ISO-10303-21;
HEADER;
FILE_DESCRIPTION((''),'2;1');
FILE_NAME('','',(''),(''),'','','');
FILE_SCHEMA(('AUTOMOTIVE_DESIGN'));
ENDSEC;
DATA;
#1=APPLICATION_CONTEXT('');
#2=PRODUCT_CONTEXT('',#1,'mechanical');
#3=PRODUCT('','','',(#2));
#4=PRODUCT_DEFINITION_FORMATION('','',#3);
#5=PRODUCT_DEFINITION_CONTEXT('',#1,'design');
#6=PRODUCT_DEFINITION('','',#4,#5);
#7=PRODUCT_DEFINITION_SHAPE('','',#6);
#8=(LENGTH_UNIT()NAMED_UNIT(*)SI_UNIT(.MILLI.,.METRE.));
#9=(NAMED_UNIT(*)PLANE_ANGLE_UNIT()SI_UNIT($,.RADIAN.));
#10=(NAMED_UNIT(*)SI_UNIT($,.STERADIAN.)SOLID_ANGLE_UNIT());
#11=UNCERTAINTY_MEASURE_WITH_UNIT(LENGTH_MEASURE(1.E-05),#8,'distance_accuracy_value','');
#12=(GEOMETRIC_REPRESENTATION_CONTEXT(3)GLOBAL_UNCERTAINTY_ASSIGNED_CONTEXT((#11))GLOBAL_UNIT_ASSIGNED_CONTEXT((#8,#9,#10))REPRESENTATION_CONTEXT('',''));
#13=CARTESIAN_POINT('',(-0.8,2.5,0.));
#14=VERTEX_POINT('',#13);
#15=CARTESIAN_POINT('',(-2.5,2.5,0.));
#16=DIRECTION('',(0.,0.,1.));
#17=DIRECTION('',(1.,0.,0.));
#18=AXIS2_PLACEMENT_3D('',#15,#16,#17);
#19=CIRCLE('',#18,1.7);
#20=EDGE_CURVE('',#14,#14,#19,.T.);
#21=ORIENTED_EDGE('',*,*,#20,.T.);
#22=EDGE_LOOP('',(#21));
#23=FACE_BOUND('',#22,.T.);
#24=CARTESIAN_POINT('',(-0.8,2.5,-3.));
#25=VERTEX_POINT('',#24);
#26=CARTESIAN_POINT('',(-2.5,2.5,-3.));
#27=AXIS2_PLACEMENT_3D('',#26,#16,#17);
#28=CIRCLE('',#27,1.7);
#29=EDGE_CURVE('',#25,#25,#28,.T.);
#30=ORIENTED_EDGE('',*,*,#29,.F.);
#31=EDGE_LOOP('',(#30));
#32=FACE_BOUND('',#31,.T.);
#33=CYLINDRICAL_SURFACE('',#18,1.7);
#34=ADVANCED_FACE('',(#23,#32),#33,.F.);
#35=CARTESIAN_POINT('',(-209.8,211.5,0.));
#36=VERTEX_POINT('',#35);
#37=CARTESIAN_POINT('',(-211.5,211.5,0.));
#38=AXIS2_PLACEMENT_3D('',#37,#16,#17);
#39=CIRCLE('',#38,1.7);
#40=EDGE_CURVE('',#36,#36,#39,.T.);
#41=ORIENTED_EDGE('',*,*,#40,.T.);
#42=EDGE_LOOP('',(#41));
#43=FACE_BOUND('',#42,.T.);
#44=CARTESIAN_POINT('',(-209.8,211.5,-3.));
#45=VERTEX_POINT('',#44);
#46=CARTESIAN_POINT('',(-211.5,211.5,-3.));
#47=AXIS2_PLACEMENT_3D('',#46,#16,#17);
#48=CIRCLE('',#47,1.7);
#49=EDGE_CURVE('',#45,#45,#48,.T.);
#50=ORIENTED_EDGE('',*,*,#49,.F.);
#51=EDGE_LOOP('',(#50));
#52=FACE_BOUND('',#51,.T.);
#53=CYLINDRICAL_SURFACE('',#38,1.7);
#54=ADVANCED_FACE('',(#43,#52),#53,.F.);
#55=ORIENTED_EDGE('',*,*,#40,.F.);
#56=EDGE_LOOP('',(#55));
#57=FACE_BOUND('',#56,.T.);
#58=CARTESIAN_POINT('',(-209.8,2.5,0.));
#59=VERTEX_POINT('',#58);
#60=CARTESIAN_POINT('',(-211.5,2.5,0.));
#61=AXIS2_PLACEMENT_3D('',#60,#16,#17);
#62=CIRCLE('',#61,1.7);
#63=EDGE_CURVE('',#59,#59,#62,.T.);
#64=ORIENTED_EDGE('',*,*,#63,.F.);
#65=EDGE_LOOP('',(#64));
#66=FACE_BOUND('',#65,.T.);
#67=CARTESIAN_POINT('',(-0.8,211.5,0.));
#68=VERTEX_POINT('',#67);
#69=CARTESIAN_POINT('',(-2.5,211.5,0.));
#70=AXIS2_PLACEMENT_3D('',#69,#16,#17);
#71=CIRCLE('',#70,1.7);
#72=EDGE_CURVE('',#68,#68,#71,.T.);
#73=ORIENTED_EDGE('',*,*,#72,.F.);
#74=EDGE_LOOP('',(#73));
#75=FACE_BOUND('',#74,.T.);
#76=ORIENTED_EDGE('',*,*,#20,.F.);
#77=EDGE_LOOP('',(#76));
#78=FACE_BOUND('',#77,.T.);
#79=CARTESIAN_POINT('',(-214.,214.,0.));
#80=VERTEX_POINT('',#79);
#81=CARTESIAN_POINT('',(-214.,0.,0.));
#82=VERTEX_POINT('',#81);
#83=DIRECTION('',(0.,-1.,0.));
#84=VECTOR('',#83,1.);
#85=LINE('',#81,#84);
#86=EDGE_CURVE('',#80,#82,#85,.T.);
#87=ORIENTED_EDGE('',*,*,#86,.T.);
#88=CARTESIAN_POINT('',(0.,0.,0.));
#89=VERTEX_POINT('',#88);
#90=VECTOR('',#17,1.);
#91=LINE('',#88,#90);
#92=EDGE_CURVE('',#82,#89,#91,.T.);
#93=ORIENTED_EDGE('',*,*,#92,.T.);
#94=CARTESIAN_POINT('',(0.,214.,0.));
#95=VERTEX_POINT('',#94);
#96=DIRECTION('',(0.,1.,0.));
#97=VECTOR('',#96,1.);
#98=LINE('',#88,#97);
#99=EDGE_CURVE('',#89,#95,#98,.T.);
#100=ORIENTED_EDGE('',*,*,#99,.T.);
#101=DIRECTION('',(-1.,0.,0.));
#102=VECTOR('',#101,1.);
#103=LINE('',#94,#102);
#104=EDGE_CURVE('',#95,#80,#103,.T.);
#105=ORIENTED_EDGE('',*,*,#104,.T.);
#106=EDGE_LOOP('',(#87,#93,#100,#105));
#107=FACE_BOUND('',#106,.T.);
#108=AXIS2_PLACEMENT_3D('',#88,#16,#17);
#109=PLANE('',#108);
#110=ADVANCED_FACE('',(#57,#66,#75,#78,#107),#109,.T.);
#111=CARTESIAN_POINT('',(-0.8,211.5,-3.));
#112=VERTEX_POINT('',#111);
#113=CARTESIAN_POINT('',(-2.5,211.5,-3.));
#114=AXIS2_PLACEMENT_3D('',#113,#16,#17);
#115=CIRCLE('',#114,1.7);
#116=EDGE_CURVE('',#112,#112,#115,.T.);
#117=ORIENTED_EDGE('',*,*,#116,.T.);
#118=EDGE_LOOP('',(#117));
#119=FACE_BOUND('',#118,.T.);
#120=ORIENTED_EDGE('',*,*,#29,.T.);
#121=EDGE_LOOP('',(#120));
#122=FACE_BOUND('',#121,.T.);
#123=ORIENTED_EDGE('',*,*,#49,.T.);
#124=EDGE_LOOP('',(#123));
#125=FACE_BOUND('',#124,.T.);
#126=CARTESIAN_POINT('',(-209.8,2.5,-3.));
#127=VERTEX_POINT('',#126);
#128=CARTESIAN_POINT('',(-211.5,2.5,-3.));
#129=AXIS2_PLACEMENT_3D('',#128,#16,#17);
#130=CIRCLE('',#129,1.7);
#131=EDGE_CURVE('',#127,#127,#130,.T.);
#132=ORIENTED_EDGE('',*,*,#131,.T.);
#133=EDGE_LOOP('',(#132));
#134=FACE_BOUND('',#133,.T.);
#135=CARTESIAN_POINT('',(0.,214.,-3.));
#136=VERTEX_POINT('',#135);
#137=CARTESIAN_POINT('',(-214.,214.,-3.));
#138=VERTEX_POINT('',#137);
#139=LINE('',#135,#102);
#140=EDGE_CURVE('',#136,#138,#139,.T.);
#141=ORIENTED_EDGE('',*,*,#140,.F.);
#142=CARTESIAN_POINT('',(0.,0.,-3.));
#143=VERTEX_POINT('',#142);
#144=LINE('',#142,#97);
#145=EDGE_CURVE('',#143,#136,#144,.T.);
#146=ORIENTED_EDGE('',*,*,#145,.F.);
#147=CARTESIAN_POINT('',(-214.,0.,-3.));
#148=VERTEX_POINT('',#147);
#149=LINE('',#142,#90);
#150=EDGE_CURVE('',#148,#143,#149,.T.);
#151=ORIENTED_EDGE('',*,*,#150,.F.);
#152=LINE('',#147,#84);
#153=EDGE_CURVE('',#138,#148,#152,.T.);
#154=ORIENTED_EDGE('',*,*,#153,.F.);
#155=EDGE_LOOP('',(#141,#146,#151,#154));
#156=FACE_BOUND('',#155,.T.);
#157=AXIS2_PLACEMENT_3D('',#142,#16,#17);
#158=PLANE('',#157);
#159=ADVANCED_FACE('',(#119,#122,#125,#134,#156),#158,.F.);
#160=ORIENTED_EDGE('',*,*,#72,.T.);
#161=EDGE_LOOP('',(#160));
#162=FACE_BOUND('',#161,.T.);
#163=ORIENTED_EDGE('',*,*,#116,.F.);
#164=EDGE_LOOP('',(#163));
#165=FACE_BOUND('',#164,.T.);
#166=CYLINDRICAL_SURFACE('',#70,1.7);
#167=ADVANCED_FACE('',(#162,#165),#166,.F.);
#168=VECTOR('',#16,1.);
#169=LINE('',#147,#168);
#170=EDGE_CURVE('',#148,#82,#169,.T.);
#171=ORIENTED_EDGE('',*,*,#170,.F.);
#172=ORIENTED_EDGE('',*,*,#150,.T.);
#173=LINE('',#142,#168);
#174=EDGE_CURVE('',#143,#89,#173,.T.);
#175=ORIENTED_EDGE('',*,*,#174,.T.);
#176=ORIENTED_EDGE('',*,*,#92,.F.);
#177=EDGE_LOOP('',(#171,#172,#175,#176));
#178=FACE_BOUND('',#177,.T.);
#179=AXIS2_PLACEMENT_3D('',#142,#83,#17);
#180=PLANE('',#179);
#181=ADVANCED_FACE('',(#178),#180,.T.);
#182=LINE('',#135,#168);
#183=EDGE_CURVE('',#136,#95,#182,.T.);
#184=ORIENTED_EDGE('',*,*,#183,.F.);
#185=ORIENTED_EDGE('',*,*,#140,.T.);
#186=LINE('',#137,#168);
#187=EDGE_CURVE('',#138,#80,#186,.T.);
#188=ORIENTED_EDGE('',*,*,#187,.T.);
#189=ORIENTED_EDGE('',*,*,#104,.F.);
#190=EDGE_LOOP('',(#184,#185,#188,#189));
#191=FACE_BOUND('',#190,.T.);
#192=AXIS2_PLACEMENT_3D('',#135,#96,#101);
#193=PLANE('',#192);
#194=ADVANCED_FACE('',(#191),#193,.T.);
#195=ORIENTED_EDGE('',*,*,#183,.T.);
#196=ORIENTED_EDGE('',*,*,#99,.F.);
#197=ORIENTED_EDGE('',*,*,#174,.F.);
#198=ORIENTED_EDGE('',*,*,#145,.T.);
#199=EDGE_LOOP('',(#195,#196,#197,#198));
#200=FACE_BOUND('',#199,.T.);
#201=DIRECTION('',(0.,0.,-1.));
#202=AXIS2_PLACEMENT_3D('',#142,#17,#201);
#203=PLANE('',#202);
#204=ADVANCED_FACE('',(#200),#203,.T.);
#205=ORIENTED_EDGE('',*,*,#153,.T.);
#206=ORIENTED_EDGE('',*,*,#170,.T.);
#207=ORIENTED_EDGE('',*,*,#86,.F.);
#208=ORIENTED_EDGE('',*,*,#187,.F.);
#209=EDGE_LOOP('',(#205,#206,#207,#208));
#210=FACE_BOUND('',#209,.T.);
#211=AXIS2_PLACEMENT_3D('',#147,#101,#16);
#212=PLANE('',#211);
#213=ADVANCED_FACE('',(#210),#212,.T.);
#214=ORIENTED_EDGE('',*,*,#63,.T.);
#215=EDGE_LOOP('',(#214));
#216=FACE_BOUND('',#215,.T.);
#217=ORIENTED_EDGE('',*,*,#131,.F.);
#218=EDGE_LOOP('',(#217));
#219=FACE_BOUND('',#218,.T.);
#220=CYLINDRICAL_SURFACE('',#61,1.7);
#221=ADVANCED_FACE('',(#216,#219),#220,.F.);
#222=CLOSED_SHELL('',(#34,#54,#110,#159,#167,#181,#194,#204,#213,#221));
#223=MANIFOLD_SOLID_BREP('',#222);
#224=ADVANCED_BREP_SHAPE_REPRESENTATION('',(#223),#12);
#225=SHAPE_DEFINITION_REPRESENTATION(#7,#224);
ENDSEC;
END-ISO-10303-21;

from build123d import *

# Parameters (mm, degrees)
SCHIZZO1_W                   = 214
SCHIZZO1_H                   = 214
ESTRUSIONE_ESTRUSIONE1_DEPTH = 3
FORO_PER_VITE_M3_1_D         = 3.4
FORO_PER_VITE_M3_1_DEPTH     = 3


with BuildPart() as part:
    # Schizzo1 → Estrusione-Estrusione1 (new body)
    with BuildSketch(Plane.XY):
        with Locations((-107, 107)):
            Rectangle(SCHIZZO1_W, SCHIZZO1_H)
    extrude(amount=-ESTRUSIONE_ESTRUSIONE1_DEPTH)

    # Foro per Vite M3-1
    with Locations(Plane.XY):
        with Locations((-2.5, 211.5), (-2.5, 2.5), (-211.5, 211.5), (-211.5, 2.5)):
            Hole(FORO_PER_VITE_M3_1_D / 2, depth=FORO_PER_VITE_M3_1_DEPTH)


solid = part.part
